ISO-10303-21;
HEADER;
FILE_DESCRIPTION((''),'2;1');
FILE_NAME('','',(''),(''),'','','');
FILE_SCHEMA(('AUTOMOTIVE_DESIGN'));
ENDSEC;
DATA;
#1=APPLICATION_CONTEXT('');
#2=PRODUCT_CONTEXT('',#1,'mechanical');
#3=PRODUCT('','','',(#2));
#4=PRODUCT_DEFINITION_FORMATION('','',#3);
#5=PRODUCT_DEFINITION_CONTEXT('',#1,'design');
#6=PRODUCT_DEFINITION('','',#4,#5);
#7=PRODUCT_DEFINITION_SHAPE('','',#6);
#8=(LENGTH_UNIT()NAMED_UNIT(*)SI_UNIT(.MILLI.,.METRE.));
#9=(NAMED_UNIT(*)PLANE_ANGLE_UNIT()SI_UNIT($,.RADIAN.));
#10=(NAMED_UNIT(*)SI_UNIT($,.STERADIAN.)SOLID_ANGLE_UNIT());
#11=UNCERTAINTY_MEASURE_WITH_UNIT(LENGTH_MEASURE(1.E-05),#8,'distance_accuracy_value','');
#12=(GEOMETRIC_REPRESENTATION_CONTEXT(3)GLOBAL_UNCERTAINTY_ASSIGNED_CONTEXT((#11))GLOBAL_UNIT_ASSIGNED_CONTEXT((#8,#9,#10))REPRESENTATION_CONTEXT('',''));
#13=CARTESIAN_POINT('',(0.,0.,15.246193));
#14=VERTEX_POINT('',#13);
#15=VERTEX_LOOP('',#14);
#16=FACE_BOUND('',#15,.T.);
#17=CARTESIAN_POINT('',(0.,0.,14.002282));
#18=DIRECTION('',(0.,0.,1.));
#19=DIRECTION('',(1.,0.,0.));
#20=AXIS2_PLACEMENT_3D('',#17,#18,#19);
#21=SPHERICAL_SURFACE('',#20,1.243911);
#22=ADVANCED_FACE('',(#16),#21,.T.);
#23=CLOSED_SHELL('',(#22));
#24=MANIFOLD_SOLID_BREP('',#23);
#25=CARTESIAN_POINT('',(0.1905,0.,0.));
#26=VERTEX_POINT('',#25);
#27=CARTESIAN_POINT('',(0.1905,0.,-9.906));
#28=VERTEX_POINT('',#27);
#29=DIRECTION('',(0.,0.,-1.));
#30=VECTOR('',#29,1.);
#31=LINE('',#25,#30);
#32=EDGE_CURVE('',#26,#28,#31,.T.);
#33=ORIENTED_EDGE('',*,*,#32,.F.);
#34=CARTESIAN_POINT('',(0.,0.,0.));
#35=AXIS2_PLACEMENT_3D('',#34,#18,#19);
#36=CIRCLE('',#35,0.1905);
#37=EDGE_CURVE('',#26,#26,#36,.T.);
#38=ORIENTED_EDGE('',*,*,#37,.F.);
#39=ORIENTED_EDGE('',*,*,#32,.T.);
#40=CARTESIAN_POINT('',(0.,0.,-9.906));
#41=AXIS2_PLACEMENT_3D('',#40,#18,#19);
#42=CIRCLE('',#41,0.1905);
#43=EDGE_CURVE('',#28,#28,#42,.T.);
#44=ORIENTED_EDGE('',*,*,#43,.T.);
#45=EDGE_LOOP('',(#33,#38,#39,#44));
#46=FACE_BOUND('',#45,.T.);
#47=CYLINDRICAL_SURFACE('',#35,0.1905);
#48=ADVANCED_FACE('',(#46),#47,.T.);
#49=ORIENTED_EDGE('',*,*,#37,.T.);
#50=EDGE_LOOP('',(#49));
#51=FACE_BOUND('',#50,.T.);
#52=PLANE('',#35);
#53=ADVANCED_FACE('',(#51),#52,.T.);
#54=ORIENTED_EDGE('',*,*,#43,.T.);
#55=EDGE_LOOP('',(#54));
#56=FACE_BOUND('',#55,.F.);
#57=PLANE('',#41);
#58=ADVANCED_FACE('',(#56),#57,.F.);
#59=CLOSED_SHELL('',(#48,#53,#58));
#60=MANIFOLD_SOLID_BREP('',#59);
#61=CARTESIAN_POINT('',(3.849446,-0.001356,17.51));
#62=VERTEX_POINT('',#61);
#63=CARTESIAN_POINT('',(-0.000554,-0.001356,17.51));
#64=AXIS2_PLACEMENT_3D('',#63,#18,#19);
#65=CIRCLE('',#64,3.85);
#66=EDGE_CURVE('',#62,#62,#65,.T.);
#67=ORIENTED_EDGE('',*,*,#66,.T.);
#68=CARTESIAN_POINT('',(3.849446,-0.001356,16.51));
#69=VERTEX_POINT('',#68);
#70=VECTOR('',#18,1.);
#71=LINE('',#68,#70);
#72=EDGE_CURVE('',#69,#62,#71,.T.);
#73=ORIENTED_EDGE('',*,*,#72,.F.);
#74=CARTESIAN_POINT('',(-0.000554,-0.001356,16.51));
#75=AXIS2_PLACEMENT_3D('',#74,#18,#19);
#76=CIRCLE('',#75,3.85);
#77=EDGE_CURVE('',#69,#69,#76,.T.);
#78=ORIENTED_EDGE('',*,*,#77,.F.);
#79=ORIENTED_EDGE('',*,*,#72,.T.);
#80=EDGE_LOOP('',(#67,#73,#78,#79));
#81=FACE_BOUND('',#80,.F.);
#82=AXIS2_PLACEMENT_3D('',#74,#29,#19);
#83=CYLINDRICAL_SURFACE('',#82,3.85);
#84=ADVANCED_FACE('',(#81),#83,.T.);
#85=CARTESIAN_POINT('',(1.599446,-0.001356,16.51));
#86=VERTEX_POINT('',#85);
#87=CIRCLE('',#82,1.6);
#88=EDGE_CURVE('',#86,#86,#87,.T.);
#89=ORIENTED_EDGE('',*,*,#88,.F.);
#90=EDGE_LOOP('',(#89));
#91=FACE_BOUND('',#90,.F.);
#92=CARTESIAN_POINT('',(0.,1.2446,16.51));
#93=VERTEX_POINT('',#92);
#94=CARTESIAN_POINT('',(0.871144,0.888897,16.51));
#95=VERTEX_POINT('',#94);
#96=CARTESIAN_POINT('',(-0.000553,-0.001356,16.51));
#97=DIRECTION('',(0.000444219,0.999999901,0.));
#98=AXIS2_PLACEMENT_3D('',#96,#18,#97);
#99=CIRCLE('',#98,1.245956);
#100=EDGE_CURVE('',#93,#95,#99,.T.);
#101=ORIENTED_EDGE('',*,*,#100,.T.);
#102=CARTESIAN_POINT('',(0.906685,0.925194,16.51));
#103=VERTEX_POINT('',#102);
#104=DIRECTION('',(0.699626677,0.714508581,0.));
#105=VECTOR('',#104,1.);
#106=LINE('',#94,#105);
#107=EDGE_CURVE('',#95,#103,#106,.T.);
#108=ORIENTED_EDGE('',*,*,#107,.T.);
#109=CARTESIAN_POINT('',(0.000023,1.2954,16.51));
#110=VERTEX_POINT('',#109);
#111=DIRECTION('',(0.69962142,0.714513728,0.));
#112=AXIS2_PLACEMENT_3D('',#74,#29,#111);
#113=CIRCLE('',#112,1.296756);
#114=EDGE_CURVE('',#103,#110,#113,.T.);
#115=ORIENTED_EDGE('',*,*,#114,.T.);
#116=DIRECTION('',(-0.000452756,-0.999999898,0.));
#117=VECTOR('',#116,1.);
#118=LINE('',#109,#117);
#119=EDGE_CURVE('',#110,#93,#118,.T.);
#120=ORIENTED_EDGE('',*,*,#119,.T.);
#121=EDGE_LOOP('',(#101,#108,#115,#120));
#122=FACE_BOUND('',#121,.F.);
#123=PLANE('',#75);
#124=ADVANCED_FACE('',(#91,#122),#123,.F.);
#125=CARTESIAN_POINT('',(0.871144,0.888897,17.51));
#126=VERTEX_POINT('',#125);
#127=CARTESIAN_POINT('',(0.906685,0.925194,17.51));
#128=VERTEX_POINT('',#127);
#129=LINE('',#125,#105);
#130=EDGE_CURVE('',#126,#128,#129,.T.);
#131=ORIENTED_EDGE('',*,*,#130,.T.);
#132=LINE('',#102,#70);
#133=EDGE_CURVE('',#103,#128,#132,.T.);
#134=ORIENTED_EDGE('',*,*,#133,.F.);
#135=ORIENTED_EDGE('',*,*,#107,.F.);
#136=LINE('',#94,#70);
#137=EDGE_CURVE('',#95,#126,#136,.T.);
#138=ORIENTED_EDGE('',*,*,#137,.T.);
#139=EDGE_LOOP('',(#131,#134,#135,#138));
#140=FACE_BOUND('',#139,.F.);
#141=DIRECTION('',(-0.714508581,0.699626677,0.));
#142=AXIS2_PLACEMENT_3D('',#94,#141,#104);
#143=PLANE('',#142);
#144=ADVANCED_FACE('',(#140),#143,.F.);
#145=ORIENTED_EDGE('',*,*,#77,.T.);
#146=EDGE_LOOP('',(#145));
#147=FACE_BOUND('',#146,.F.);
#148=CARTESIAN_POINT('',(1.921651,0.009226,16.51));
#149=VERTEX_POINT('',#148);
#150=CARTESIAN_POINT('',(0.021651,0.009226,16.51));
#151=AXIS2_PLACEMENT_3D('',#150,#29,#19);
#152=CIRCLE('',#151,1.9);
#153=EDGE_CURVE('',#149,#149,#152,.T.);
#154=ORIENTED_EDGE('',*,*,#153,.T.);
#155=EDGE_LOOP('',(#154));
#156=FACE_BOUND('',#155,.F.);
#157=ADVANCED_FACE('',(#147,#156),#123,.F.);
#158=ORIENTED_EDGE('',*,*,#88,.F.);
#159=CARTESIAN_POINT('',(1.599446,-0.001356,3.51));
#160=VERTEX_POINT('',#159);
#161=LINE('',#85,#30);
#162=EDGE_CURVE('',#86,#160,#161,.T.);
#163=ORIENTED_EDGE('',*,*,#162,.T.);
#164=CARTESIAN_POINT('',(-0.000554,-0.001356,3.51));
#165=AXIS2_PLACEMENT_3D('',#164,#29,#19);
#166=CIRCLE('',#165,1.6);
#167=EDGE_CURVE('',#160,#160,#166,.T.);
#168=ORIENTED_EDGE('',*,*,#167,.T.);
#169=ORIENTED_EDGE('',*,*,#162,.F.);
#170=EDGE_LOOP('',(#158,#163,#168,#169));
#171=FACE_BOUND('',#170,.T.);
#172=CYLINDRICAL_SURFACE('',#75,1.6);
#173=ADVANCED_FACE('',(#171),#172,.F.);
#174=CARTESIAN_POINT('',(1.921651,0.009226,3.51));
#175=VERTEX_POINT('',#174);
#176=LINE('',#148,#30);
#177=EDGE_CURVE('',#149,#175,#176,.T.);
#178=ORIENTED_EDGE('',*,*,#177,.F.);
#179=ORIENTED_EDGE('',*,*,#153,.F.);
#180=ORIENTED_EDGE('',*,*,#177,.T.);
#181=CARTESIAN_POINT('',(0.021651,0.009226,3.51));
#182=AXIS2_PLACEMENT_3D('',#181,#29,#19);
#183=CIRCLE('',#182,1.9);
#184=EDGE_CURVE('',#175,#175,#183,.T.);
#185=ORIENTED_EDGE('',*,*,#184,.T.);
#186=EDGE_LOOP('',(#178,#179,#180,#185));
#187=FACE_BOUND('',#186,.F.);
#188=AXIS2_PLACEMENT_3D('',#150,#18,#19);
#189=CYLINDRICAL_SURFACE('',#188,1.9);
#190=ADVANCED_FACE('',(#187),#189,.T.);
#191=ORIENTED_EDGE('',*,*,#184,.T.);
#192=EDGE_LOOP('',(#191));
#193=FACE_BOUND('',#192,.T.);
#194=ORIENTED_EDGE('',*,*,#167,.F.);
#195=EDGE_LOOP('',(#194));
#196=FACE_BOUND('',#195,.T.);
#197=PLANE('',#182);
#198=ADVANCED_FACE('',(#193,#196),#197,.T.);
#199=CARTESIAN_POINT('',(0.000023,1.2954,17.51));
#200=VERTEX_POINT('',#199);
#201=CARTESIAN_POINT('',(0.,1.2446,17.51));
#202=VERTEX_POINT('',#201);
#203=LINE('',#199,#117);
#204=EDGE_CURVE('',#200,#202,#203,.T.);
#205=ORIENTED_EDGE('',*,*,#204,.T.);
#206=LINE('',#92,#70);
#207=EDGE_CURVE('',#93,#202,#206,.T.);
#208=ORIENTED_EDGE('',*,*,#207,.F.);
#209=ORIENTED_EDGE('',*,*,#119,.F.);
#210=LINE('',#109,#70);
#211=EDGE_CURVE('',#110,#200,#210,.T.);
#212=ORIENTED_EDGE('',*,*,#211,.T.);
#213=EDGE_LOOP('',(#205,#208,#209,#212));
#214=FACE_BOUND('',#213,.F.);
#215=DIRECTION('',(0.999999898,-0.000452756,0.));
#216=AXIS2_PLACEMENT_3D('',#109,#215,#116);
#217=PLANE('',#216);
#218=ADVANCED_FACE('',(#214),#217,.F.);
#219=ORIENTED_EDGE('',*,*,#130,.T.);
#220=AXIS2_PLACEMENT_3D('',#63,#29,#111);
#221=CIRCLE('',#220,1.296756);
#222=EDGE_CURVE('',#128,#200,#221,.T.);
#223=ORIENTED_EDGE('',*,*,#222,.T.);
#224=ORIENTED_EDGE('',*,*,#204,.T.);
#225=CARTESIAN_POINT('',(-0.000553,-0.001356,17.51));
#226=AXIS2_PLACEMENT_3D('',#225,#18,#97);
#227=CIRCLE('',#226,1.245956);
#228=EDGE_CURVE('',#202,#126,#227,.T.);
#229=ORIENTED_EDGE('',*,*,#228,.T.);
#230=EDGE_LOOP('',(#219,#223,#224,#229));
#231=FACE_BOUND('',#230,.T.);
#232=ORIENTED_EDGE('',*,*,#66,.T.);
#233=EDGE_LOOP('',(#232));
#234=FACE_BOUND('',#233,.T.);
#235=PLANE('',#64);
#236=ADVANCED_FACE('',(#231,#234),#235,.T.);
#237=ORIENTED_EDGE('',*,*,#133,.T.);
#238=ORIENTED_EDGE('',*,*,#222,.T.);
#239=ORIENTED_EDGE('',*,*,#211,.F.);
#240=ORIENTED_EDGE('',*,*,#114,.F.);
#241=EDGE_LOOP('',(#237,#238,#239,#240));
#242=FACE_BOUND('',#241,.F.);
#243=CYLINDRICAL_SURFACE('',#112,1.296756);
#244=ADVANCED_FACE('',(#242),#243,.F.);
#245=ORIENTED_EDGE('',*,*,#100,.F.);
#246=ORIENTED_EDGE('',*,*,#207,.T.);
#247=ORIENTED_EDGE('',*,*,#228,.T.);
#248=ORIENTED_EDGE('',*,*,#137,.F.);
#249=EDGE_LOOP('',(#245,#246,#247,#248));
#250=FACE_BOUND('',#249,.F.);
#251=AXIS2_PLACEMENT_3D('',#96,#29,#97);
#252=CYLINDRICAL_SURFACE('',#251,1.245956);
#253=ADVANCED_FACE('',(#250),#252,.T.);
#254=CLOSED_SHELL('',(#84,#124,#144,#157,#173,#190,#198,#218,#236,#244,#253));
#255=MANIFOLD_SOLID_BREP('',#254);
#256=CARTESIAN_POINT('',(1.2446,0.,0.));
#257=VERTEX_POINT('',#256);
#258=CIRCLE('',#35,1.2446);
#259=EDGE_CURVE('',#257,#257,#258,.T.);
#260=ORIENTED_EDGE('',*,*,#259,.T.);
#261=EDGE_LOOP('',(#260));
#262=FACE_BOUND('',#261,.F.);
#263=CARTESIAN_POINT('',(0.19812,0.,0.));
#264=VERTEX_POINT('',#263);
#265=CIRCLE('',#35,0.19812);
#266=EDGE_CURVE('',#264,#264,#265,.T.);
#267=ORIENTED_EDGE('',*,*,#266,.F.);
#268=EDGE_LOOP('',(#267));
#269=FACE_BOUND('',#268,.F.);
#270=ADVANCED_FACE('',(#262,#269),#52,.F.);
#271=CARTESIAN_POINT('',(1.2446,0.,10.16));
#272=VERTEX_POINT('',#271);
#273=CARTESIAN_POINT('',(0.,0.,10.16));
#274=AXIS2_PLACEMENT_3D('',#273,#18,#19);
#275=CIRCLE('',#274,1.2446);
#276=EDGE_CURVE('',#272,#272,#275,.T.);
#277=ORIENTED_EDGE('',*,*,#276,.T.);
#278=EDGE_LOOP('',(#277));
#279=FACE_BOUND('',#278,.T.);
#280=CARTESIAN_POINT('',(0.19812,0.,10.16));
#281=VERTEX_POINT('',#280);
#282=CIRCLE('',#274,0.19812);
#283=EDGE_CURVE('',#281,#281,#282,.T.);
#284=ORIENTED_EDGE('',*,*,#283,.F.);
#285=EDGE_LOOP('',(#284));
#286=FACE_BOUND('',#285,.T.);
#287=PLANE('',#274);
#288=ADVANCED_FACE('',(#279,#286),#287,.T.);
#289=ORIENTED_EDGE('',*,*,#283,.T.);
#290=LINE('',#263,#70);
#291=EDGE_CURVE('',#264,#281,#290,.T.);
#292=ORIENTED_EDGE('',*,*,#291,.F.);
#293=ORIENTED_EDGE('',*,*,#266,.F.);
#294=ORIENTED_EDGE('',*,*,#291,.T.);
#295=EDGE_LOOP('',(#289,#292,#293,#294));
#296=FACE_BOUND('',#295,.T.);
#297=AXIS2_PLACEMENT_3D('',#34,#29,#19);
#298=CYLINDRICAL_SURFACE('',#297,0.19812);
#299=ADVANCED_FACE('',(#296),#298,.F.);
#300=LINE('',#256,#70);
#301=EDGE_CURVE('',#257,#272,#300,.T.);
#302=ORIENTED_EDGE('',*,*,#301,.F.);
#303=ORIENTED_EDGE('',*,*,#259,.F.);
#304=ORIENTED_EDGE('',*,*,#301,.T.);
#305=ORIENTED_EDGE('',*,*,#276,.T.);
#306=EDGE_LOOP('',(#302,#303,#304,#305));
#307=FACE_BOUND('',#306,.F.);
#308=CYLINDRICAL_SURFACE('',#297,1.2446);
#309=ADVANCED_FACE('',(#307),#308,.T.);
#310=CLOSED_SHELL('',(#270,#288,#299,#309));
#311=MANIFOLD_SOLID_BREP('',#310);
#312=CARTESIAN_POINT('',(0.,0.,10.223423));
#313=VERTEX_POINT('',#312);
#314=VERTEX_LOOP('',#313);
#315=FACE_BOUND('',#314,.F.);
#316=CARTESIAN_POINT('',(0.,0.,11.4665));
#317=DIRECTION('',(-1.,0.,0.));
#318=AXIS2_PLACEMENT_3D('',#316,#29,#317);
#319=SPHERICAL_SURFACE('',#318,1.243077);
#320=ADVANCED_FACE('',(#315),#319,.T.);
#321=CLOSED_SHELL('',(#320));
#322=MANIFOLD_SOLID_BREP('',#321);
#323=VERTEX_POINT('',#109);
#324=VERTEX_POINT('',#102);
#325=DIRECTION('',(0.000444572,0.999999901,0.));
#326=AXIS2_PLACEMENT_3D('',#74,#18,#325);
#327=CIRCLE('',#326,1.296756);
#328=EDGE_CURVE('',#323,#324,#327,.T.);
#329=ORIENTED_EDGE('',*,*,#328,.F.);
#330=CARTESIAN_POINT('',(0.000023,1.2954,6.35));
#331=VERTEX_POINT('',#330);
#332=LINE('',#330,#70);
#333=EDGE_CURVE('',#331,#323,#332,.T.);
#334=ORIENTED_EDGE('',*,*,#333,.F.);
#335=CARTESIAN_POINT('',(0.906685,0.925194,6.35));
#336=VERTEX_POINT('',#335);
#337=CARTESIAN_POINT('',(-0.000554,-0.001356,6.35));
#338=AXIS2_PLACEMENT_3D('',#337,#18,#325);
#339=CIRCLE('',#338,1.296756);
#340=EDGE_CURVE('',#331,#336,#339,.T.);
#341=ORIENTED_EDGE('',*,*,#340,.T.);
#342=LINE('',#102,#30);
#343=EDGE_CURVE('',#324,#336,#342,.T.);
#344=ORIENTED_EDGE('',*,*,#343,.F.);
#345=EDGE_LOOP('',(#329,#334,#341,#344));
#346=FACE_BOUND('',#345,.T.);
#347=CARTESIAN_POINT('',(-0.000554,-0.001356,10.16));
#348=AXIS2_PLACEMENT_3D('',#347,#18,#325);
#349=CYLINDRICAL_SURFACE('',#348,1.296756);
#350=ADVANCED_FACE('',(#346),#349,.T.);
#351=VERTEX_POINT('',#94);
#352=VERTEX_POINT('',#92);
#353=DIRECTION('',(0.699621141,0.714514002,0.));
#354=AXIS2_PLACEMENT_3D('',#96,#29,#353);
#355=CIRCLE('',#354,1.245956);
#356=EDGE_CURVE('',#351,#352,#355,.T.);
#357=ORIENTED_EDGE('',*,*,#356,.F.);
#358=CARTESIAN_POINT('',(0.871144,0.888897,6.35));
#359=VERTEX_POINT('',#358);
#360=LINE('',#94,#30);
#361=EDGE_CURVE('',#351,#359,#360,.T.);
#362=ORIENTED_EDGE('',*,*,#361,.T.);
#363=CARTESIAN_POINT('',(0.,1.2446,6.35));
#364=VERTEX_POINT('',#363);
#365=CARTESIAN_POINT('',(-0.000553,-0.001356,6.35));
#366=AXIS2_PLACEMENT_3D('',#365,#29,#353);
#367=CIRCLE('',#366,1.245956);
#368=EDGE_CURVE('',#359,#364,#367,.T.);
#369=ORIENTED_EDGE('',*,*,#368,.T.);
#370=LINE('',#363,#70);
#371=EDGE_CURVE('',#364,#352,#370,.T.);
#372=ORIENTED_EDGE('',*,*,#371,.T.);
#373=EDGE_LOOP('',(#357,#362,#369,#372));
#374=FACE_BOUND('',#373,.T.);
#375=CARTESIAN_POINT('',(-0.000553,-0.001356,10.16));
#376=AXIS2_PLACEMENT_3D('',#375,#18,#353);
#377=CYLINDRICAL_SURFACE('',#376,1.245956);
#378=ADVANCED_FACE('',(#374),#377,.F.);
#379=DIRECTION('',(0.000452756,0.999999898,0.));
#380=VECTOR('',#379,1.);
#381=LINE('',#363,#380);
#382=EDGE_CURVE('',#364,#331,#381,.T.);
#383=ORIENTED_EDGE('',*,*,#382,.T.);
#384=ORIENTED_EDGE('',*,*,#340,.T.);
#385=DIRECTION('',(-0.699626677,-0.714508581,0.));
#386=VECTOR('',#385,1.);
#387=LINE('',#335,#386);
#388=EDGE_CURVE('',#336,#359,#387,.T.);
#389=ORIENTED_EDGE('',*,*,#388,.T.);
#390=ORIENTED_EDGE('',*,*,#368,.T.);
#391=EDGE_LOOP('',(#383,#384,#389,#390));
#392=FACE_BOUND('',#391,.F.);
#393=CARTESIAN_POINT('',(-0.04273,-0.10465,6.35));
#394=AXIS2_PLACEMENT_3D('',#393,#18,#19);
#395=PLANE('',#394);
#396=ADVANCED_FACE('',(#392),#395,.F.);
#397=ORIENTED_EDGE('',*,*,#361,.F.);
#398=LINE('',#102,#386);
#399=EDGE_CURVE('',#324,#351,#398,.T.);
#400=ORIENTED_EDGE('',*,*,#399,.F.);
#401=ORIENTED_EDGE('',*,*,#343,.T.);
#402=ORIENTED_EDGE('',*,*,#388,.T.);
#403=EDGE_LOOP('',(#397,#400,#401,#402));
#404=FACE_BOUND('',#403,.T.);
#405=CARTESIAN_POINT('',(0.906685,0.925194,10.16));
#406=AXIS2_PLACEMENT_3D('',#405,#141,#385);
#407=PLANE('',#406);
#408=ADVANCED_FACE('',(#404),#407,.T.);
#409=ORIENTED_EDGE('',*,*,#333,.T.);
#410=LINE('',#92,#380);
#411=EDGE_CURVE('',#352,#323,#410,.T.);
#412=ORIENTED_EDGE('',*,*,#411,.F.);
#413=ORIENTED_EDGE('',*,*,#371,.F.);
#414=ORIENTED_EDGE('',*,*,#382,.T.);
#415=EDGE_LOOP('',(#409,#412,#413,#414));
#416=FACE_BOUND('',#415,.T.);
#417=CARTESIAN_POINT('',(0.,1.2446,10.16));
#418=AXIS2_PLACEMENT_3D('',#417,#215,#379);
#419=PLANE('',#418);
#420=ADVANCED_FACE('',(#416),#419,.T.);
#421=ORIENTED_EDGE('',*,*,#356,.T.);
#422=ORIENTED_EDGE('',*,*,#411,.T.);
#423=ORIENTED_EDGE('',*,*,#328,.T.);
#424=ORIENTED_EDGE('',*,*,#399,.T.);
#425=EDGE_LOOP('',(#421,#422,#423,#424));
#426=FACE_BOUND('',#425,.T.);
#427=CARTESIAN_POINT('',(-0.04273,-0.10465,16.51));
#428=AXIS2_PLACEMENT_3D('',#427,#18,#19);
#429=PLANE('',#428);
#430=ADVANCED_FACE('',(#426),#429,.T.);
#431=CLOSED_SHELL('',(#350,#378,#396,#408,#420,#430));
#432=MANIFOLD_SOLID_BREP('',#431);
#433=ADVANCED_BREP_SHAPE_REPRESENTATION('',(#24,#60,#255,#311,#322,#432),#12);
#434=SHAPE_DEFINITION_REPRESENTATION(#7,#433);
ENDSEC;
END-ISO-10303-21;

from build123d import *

# Parameters (mm, degrees)
F0_R          = 1.2446
F0_R_2        = 0.19812
F1_DEPTH      = 10.16
F2_R          = 0.1905
F3_DEPTH      = 9.906
F5_DEPTH      = 6.35
F5_DEPTH_BACK = 3.81
F10_R         = 3.85
F11_DEPTH     = 1
F13_R         = 1.9
F13_R_2       = 1.6
F14_DEPTH     = 13


with BuildPart() as f1:
    # F0 (on Top) → F1 (new body)
    with BuildSketch(Plane.XY):
        Circle(F0_R)
        Circle(F0_R_2, mode=Mode.SUBTRACT)
    extrude(amount=F1_DEPTH)


with BuildPart() as f3:
    # F2 (on Top) → F3 (new body)
    with BuildSketch(Plane.XY):
        Circle(F2_R)
    extrude(amount=-F3_DEPTH)


with BuildPart() as f5:
    # F4 (on face) → F5 (new body, two sides)
    with BuildSketch(Plane.XY.offset(10.16)) as f5_sk:
        with BuildLine():
            ThreePointArc((0.871144, 0.888897), (-0.471549, -1.15486), (0, 1.2446))
            Line((0, 1.2446), (2.3e-05, 1.2954))
            ThreePointArc((2.3e-05, 1.2954), (-0.490753, -1.20189), (0.906685, 0.925194))
            Line((0.906685, 0.925194), (0.871144, 0.888897))
        make_face()
    extrude(amount=F5_DEPTH)
    extrude(f5_sk.sketch, amount=-F5_DEPTH_BACK)


with BuildPart() as f7:
    # F6 (on Front) → F7 (revolve)
    with BuildSketch(Plane.XZ):
        with BuildLine():
            ThreePointArc((0, 12.709577), (-1.243077, 11.4665), (0, 10.223423))
            Line((0, 10.223423), (0, 12.709577))
        make_face()
    revolve(axis=Axis((0, 0, 11.4665), (0, 0, 1)))


with BuildPart() as f9:
    # F8 (on Front) → F9 (revolve)
    with BuildSketch(Plane.XZ):
        with BuildLine():
            Line((0, 15.246193), (0, 12.758371))
            ThreePointArc((0, 12.758371), (1.243911, 14.002282), (0, 15.246193))
        make_face()
    revolve(axis=Axis((0, 0, 14.002282), (0, 0, 1)))


with BuildPart() as f11:
    # F10 (on face) → F11 (new body)
    with BuildSketch(Plane.XY.offset(16.51)):
        with Locations((-0.000554, -0.001356)):
            Circle(F10_R)
        with BuildLine():
            ThreePointArc((0, 1.2446), (-0.471549, -1.15486), (0.871144, 0.888897))
            Line((0.871144, 0.888897), (0.906685, 0.925194))
            ThreePointArc((0.906685, 0.925194), (-0.490753, -1.20189), (2.3e-05, 1.2954))
            Line((2.3e-05, 1.2954), (0, 1.2446))
        make_face(mode=Mode.SUBTRACT)
    extrude(amount=F11_DEPTH)

    # F13 (on face) → F14 (join)
    with BuildSketch(Plane(origin=(0, 0, 16.51), x_dir=(1, 0, 0), z_dir=(0, 0, -1))):
        with Locations((0.021651, -0.009226)):
            Circle(F13_R)
        with Locations((-0.000554, 0.001356)):
            Circle(F13_R_2, mode=Mode.SUBTRACT)
    extrude(amount=F14_DEPTH)


solid = Compound([f1.part, f3.part, f5.part, f7.part, f9.part, f11.part])
